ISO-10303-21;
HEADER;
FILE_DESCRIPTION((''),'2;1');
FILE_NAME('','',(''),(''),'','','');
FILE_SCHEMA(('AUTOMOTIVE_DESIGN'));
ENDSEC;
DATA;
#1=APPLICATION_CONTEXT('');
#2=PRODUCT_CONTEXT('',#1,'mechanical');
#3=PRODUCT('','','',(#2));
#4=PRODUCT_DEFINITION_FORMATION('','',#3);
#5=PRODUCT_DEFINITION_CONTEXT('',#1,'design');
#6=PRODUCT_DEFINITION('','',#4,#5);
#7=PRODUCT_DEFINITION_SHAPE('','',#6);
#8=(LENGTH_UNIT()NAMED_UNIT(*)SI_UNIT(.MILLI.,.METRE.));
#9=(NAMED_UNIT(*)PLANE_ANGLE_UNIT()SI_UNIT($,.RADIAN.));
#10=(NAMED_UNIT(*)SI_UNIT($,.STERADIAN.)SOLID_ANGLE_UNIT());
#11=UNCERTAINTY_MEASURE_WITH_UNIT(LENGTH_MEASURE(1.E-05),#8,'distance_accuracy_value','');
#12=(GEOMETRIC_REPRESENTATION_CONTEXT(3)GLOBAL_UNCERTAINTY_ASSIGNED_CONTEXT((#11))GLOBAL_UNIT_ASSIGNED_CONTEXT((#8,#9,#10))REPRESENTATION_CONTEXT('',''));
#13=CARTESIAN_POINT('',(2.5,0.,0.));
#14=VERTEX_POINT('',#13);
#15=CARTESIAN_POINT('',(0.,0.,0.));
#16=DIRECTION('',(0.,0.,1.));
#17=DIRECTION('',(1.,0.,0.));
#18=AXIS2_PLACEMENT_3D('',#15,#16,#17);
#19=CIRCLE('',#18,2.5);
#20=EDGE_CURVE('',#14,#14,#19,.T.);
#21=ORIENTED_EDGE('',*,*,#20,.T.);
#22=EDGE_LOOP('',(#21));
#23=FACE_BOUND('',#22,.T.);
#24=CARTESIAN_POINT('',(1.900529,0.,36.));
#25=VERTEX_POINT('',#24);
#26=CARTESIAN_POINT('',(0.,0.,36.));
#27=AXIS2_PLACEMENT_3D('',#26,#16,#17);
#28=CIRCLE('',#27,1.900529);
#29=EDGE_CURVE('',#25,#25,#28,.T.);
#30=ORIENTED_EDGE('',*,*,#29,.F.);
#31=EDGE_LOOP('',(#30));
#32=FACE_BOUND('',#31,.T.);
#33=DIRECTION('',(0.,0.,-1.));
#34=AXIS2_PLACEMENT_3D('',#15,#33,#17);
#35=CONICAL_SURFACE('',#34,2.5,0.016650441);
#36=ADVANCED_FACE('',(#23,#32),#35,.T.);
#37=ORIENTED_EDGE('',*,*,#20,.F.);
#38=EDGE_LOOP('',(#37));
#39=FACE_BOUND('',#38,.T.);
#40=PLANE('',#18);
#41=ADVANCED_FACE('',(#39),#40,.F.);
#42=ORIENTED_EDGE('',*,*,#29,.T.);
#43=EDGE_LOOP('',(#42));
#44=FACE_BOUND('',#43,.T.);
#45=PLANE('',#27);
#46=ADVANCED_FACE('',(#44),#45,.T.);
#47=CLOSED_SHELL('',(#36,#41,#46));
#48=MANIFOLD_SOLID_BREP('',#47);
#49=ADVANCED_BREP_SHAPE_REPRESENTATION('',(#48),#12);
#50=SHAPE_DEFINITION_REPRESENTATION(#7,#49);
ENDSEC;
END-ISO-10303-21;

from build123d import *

# Parameters (mm, degrees)
SKETCH2_R           = 2.5
BOSS_EXTRUDE1_DEPTH = 36
BOSS_EXTRUDE1_TAPER = 0.954


with BuildPart() as part:
    # Sketch2 → Boss-Extrude1 (new body)
    with BuildSketch(Plane.XY):
        Circle(SKETCH2_R)
    extrude(amount=BOSS_EXTRUDE1_DEPTH, taper=BOSS_EXTRUDE1_TAPER)


solid = part.part
